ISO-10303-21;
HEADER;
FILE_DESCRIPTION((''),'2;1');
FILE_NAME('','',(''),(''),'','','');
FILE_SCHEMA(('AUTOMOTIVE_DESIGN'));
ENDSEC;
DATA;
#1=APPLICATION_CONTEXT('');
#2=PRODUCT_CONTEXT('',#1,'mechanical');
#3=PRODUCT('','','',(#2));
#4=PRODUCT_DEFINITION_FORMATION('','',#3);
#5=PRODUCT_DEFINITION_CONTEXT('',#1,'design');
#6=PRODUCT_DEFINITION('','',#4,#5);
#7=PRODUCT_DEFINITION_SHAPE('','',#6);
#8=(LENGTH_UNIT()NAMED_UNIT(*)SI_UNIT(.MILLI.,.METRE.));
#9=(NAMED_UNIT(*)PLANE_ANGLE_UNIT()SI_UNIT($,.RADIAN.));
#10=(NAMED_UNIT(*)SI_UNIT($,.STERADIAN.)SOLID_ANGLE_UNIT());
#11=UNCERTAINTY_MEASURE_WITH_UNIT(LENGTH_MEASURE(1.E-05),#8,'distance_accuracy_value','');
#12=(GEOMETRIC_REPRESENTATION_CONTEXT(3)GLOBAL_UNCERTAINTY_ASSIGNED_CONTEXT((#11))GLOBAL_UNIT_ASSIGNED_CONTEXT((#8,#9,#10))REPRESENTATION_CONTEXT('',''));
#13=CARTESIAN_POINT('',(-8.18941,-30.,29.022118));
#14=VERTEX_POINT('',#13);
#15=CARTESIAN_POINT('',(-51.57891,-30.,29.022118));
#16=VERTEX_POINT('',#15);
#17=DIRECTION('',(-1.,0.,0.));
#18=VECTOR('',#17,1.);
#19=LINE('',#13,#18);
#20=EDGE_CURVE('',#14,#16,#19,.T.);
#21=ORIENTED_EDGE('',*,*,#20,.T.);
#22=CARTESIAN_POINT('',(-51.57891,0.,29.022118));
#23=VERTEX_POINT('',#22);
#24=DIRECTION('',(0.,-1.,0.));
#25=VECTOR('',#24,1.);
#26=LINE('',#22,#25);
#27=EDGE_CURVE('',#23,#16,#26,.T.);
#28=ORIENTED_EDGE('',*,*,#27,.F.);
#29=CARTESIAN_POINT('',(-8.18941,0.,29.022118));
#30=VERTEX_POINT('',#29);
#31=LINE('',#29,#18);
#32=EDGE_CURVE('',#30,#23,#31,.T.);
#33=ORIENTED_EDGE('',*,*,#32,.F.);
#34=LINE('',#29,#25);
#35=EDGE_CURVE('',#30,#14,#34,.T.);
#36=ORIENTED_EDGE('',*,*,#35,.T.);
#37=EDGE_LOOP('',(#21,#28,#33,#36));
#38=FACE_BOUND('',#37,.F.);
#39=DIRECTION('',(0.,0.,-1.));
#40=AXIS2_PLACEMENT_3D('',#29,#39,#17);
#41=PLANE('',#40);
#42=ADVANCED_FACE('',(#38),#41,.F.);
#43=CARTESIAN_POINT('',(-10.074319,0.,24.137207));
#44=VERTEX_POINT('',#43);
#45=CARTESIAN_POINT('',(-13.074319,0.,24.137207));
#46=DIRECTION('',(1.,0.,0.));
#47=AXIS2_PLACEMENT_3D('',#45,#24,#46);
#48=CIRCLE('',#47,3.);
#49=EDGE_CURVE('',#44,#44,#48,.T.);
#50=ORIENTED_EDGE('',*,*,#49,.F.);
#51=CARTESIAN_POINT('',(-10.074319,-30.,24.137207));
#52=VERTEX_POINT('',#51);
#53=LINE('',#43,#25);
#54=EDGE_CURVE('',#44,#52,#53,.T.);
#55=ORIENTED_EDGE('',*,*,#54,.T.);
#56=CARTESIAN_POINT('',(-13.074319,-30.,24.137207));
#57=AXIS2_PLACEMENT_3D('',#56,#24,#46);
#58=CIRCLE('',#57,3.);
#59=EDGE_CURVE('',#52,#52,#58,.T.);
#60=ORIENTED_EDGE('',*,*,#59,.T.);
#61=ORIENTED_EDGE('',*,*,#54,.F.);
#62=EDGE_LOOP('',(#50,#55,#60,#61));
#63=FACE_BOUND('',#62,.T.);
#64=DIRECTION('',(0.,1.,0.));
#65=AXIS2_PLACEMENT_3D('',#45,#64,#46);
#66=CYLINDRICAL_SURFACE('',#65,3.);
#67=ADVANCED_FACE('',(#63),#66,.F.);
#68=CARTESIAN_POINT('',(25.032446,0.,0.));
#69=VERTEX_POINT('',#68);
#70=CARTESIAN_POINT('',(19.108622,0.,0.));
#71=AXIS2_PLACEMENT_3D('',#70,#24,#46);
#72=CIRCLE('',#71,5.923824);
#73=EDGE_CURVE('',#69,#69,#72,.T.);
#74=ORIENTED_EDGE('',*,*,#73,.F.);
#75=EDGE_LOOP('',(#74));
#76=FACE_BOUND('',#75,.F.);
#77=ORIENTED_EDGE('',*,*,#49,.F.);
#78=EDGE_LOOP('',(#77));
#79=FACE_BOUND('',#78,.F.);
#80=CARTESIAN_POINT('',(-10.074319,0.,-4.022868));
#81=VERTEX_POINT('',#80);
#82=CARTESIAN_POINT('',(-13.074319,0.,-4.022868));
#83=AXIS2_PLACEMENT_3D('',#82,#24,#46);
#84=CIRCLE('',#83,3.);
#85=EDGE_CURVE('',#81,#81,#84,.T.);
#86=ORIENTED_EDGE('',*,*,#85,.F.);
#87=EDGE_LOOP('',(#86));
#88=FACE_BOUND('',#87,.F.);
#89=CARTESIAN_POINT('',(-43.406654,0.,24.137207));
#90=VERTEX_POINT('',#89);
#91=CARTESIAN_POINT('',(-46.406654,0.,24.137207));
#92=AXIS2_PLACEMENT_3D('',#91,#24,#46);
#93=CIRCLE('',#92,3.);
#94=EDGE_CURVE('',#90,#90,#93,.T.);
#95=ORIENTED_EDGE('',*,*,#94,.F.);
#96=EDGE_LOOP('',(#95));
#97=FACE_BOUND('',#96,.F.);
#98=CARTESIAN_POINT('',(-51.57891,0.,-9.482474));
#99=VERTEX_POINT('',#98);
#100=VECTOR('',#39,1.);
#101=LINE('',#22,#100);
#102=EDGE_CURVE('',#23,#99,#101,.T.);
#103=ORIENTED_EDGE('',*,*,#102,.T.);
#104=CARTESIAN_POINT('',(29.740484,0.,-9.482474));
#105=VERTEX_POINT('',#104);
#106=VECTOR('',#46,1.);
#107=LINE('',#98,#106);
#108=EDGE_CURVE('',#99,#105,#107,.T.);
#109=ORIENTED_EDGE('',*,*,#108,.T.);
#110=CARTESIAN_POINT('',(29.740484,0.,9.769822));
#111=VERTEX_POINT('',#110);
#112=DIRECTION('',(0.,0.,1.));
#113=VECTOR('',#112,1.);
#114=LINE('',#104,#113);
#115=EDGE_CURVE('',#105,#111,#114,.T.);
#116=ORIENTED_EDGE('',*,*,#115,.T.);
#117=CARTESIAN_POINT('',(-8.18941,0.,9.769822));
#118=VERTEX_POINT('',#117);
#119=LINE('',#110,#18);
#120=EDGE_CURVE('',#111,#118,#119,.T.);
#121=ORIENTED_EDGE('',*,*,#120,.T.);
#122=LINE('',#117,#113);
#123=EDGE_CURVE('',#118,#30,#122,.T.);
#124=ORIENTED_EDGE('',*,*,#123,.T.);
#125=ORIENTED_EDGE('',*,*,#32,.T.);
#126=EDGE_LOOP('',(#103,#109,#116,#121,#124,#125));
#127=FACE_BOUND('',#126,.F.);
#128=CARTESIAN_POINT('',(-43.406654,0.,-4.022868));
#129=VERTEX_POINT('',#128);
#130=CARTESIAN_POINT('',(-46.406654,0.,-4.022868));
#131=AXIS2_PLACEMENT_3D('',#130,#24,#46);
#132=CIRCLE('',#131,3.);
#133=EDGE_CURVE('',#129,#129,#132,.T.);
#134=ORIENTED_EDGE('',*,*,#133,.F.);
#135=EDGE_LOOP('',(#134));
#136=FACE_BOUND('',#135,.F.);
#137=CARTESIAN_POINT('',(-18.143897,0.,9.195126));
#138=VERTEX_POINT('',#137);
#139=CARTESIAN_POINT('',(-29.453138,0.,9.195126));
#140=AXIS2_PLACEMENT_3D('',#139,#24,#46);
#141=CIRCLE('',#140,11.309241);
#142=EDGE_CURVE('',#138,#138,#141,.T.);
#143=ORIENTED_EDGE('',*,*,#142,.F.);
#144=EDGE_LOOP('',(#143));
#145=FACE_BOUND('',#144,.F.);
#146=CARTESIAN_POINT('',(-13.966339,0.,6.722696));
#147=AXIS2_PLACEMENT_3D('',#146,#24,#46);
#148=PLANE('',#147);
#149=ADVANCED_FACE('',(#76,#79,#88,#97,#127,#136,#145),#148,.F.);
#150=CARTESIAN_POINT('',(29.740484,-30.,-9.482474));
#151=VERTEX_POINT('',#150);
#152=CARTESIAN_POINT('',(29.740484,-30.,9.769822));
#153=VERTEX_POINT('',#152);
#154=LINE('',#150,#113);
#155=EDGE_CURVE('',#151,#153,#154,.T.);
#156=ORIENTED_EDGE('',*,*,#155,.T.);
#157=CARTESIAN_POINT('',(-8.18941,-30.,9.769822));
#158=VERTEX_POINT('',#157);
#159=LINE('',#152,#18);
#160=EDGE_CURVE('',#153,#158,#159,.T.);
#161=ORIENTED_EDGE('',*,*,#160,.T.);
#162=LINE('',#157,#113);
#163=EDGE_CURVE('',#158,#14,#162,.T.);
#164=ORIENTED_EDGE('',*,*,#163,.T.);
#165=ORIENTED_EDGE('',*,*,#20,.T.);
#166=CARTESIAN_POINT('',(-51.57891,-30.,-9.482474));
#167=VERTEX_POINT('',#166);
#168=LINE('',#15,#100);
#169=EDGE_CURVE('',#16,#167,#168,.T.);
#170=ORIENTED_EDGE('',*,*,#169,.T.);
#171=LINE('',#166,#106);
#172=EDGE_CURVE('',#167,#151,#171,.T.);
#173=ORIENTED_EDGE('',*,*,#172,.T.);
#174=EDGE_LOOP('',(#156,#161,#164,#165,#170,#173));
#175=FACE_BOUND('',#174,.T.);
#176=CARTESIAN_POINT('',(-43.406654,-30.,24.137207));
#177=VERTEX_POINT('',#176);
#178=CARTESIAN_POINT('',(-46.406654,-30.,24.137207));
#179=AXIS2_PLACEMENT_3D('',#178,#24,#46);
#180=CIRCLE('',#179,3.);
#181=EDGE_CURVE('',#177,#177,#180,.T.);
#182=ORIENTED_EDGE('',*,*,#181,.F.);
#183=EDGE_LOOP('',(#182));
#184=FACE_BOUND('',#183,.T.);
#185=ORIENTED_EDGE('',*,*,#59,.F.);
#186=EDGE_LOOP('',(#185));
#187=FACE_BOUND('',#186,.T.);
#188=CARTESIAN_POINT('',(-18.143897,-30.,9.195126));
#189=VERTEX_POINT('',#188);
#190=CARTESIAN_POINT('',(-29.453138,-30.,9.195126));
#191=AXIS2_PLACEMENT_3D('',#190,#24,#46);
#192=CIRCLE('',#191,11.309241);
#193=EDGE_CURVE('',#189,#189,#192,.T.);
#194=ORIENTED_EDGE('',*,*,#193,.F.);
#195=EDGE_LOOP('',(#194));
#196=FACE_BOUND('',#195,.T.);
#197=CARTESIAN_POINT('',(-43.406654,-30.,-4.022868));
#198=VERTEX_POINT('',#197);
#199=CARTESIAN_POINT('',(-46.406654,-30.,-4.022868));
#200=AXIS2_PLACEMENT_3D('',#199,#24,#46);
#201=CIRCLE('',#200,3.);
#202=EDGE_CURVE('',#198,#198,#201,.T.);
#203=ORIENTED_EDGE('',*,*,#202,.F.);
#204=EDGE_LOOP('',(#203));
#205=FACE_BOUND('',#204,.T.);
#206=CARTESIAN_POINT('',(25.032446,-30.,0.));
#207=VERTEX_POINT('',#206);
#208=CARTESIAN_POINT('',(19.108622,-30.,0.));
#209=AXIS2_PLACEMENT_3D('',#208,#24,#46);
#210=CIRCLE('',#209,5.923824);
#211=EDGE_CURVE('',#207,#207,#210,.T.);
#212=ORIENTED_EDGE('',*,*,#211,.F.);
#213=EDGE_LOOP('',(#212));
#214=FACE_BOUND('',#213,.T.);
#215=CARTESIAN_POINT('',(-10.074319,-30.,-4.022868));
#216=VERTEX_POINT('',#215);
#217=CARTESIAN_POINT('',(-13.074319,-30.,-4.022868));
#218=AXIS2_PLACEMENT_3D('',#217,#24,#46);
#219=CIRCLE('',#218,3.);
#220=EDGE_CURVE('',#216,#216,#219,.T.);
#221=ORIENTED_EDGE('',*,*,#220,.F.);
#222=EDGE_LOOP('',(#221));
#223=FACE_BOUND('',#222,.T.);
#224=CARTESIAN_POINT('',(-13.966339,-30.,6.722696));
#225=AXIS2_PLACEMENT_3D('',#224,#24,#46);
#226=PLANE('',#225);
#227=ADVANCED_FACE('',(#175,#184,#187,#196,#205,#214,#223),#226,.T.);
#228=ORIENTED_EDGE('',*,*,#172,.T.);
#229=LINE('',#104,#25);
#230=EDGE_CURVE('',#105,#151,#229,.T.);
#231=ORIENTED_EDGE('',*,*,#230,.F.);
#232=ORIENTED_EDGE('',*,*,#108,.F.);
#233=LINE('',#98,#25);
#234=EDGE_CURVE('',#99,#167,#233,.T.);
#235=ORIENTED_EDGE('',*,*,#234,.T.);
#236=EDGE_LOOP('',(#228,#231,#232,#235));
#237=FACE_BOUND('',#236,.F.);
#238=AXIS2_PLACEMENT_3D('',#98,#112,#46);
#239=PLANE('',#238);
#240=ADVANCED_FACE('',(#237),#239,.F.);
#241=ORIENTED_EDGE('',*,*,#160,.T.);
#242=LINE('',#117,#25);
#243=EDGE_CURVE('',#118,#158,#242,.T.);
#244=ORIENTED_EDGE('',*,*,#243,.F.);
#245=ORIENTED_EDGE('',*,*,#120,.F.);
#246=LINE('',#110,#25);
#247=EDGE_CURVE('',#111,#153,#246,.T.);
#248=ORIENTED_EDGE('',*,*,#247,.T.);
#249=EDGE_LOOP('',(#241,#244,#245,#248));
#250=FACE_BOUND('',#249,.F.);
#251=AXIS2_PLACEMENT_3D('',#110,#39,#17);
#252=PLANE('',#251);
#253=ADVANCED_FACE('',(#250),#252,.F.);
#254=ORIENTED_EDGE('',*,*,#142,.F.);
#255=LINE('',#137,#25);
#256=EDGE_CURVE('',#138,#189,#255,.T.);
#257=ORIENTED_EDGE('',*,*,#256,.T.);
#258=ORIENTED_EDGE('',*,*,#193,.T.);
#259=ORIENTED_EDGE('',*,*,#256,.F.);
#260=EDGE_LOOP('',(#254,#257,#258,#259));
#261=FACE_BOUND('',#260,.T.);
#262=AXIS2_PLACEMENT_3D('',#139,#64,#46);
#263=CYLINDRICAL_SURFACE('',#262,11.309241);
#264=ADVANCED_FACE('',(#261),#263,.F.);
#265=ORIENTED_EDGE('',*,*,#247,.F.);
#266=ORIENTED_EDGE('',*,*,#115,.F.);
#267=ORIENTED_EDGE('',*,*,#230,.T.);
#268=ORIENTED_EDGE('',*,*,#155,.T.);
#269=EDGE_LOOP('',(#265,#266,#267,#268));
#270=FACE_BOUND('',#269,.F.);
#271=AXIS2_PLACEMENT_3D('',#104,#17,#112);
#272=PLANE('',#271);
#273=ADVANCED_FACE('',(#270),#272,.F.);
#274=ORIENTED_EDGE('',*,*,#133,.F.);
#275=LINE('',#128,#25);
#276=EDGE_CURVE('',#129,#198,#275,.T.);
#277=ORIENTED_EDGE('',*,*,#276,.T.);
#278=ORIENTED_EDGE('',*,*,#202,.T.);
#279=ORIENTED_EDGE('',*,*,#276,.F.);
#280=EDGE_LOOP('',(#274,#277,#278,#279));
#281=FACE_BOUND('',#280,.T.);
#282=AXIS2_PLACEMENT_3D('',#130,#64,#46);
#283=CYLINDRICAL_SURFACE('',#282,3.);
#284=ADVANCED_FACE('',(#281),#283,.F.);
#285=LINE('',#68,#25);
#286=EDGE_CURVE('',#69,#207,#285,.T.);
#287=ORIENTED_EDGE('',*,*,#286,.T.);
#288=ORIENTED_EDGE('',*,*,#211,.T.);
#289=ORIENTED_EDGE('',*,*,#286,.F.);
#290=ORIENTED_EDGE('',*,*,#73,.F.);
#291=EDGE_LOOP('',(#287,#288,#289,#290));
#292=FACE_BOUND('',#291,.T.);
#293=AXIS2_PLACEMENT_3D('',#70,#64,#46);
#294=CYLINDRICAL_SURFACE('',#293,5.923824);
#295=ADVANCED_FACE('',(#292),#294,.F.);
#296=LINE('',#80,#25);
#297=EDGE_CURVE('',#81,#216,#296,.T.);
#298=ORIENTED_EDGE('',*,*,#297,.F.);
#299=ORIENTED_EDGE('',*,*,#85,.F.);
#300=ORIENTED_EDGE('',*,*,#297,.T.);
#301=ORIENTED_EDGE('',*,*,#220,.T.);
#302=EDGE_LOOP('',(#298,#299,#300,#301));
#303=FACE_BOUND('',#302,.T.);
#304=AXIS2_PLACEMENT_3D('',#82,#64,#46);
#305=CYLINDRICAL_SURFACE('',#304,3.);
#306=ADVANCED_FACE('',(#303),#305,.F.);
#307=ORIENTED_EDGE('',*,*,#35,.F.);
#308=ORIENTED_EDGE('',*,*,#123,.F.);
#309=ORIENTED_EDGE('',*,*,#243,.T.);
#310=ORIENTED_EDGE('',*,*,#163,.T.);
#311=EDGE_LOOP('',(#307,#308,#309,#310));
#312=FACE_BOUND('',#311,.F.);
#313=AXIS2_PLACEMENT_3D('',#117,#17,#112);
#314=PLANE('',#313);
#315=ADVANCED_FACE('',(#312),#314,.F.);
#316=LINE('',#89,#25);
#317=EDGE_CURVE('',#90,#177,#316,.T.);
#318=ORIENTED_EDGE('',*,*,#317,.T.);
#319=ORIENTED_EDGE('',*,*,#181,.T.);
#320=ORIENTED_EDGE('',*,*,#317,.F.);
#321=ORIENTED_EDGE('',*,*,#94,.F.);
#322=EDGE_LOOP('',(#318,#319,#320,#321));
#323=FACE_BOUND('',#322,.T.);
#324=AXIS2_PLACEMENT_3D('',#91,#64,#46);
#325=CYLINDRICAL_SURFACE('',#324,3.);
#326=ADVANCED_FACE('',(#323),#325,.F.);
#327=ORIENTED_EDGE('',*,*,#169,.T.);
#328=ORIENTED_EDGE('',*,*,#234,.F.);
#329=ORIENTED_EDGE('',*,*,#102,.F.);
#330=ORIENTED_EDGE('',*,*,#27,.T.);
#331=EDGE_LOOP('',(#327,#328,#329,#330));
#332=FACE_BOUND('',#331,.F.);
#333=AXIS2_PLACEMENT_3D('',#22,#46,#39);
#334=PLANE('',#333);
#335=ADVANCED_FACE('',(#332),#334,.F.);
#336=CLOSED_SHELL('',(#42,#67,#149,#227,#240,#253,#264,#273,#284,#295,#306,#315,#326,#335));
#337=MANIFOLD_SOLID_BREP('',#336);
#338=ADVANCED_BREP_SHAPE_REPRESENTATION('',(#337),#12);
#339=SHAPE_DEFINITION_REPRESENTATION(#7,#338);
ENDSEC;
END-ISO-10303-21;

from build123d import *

# Parameters (mm, degrees)
F0_R     = 3
F0_R_2   = 11.309241
F0_R_3   = 5.923824
F1_DEPTH = 30


with BuildPart() as f1:
    # F0 (on Front) → F1 (new body)
    with BuildSketch(Plane.XZ):
        Polygon((-8.18941, 29.022118), (-51.57891, 29.022118), (-51.57891, -9.482474), (-8.18941, -9.482474), (29.740484, -9.482474), (29.740484, 9.769822), (-8.18941, 9.769822), align=None)
        with Locations((-46.406654, -4.022868)):
            Circle(F0_R, mode=Mode.SUBTRACT)
        with Locations((-13.074319, -4.022868)):
            Circle(F0_R, mode=Mode.SUBTRACT)
        with Locations((-29.453138, 9.195126)):
            Circle(F0_R_2, mode=Mode.SUBTRACT)
        with Locations((19.108622, 0)):
            Circle(F0_R_3, mode=Mode.SUBTRACT)
        with Locations((-46.406654, 24.137207)):
            Circle(F0_R, mode=Mode.SUBTRACT)
        with Locations((-13.074319, 24.137207)):
            Circle(F0_R, mode=Mode.SUBTRACT)
    extrude(amount=F1_DEPTH)


solid = f1.part
